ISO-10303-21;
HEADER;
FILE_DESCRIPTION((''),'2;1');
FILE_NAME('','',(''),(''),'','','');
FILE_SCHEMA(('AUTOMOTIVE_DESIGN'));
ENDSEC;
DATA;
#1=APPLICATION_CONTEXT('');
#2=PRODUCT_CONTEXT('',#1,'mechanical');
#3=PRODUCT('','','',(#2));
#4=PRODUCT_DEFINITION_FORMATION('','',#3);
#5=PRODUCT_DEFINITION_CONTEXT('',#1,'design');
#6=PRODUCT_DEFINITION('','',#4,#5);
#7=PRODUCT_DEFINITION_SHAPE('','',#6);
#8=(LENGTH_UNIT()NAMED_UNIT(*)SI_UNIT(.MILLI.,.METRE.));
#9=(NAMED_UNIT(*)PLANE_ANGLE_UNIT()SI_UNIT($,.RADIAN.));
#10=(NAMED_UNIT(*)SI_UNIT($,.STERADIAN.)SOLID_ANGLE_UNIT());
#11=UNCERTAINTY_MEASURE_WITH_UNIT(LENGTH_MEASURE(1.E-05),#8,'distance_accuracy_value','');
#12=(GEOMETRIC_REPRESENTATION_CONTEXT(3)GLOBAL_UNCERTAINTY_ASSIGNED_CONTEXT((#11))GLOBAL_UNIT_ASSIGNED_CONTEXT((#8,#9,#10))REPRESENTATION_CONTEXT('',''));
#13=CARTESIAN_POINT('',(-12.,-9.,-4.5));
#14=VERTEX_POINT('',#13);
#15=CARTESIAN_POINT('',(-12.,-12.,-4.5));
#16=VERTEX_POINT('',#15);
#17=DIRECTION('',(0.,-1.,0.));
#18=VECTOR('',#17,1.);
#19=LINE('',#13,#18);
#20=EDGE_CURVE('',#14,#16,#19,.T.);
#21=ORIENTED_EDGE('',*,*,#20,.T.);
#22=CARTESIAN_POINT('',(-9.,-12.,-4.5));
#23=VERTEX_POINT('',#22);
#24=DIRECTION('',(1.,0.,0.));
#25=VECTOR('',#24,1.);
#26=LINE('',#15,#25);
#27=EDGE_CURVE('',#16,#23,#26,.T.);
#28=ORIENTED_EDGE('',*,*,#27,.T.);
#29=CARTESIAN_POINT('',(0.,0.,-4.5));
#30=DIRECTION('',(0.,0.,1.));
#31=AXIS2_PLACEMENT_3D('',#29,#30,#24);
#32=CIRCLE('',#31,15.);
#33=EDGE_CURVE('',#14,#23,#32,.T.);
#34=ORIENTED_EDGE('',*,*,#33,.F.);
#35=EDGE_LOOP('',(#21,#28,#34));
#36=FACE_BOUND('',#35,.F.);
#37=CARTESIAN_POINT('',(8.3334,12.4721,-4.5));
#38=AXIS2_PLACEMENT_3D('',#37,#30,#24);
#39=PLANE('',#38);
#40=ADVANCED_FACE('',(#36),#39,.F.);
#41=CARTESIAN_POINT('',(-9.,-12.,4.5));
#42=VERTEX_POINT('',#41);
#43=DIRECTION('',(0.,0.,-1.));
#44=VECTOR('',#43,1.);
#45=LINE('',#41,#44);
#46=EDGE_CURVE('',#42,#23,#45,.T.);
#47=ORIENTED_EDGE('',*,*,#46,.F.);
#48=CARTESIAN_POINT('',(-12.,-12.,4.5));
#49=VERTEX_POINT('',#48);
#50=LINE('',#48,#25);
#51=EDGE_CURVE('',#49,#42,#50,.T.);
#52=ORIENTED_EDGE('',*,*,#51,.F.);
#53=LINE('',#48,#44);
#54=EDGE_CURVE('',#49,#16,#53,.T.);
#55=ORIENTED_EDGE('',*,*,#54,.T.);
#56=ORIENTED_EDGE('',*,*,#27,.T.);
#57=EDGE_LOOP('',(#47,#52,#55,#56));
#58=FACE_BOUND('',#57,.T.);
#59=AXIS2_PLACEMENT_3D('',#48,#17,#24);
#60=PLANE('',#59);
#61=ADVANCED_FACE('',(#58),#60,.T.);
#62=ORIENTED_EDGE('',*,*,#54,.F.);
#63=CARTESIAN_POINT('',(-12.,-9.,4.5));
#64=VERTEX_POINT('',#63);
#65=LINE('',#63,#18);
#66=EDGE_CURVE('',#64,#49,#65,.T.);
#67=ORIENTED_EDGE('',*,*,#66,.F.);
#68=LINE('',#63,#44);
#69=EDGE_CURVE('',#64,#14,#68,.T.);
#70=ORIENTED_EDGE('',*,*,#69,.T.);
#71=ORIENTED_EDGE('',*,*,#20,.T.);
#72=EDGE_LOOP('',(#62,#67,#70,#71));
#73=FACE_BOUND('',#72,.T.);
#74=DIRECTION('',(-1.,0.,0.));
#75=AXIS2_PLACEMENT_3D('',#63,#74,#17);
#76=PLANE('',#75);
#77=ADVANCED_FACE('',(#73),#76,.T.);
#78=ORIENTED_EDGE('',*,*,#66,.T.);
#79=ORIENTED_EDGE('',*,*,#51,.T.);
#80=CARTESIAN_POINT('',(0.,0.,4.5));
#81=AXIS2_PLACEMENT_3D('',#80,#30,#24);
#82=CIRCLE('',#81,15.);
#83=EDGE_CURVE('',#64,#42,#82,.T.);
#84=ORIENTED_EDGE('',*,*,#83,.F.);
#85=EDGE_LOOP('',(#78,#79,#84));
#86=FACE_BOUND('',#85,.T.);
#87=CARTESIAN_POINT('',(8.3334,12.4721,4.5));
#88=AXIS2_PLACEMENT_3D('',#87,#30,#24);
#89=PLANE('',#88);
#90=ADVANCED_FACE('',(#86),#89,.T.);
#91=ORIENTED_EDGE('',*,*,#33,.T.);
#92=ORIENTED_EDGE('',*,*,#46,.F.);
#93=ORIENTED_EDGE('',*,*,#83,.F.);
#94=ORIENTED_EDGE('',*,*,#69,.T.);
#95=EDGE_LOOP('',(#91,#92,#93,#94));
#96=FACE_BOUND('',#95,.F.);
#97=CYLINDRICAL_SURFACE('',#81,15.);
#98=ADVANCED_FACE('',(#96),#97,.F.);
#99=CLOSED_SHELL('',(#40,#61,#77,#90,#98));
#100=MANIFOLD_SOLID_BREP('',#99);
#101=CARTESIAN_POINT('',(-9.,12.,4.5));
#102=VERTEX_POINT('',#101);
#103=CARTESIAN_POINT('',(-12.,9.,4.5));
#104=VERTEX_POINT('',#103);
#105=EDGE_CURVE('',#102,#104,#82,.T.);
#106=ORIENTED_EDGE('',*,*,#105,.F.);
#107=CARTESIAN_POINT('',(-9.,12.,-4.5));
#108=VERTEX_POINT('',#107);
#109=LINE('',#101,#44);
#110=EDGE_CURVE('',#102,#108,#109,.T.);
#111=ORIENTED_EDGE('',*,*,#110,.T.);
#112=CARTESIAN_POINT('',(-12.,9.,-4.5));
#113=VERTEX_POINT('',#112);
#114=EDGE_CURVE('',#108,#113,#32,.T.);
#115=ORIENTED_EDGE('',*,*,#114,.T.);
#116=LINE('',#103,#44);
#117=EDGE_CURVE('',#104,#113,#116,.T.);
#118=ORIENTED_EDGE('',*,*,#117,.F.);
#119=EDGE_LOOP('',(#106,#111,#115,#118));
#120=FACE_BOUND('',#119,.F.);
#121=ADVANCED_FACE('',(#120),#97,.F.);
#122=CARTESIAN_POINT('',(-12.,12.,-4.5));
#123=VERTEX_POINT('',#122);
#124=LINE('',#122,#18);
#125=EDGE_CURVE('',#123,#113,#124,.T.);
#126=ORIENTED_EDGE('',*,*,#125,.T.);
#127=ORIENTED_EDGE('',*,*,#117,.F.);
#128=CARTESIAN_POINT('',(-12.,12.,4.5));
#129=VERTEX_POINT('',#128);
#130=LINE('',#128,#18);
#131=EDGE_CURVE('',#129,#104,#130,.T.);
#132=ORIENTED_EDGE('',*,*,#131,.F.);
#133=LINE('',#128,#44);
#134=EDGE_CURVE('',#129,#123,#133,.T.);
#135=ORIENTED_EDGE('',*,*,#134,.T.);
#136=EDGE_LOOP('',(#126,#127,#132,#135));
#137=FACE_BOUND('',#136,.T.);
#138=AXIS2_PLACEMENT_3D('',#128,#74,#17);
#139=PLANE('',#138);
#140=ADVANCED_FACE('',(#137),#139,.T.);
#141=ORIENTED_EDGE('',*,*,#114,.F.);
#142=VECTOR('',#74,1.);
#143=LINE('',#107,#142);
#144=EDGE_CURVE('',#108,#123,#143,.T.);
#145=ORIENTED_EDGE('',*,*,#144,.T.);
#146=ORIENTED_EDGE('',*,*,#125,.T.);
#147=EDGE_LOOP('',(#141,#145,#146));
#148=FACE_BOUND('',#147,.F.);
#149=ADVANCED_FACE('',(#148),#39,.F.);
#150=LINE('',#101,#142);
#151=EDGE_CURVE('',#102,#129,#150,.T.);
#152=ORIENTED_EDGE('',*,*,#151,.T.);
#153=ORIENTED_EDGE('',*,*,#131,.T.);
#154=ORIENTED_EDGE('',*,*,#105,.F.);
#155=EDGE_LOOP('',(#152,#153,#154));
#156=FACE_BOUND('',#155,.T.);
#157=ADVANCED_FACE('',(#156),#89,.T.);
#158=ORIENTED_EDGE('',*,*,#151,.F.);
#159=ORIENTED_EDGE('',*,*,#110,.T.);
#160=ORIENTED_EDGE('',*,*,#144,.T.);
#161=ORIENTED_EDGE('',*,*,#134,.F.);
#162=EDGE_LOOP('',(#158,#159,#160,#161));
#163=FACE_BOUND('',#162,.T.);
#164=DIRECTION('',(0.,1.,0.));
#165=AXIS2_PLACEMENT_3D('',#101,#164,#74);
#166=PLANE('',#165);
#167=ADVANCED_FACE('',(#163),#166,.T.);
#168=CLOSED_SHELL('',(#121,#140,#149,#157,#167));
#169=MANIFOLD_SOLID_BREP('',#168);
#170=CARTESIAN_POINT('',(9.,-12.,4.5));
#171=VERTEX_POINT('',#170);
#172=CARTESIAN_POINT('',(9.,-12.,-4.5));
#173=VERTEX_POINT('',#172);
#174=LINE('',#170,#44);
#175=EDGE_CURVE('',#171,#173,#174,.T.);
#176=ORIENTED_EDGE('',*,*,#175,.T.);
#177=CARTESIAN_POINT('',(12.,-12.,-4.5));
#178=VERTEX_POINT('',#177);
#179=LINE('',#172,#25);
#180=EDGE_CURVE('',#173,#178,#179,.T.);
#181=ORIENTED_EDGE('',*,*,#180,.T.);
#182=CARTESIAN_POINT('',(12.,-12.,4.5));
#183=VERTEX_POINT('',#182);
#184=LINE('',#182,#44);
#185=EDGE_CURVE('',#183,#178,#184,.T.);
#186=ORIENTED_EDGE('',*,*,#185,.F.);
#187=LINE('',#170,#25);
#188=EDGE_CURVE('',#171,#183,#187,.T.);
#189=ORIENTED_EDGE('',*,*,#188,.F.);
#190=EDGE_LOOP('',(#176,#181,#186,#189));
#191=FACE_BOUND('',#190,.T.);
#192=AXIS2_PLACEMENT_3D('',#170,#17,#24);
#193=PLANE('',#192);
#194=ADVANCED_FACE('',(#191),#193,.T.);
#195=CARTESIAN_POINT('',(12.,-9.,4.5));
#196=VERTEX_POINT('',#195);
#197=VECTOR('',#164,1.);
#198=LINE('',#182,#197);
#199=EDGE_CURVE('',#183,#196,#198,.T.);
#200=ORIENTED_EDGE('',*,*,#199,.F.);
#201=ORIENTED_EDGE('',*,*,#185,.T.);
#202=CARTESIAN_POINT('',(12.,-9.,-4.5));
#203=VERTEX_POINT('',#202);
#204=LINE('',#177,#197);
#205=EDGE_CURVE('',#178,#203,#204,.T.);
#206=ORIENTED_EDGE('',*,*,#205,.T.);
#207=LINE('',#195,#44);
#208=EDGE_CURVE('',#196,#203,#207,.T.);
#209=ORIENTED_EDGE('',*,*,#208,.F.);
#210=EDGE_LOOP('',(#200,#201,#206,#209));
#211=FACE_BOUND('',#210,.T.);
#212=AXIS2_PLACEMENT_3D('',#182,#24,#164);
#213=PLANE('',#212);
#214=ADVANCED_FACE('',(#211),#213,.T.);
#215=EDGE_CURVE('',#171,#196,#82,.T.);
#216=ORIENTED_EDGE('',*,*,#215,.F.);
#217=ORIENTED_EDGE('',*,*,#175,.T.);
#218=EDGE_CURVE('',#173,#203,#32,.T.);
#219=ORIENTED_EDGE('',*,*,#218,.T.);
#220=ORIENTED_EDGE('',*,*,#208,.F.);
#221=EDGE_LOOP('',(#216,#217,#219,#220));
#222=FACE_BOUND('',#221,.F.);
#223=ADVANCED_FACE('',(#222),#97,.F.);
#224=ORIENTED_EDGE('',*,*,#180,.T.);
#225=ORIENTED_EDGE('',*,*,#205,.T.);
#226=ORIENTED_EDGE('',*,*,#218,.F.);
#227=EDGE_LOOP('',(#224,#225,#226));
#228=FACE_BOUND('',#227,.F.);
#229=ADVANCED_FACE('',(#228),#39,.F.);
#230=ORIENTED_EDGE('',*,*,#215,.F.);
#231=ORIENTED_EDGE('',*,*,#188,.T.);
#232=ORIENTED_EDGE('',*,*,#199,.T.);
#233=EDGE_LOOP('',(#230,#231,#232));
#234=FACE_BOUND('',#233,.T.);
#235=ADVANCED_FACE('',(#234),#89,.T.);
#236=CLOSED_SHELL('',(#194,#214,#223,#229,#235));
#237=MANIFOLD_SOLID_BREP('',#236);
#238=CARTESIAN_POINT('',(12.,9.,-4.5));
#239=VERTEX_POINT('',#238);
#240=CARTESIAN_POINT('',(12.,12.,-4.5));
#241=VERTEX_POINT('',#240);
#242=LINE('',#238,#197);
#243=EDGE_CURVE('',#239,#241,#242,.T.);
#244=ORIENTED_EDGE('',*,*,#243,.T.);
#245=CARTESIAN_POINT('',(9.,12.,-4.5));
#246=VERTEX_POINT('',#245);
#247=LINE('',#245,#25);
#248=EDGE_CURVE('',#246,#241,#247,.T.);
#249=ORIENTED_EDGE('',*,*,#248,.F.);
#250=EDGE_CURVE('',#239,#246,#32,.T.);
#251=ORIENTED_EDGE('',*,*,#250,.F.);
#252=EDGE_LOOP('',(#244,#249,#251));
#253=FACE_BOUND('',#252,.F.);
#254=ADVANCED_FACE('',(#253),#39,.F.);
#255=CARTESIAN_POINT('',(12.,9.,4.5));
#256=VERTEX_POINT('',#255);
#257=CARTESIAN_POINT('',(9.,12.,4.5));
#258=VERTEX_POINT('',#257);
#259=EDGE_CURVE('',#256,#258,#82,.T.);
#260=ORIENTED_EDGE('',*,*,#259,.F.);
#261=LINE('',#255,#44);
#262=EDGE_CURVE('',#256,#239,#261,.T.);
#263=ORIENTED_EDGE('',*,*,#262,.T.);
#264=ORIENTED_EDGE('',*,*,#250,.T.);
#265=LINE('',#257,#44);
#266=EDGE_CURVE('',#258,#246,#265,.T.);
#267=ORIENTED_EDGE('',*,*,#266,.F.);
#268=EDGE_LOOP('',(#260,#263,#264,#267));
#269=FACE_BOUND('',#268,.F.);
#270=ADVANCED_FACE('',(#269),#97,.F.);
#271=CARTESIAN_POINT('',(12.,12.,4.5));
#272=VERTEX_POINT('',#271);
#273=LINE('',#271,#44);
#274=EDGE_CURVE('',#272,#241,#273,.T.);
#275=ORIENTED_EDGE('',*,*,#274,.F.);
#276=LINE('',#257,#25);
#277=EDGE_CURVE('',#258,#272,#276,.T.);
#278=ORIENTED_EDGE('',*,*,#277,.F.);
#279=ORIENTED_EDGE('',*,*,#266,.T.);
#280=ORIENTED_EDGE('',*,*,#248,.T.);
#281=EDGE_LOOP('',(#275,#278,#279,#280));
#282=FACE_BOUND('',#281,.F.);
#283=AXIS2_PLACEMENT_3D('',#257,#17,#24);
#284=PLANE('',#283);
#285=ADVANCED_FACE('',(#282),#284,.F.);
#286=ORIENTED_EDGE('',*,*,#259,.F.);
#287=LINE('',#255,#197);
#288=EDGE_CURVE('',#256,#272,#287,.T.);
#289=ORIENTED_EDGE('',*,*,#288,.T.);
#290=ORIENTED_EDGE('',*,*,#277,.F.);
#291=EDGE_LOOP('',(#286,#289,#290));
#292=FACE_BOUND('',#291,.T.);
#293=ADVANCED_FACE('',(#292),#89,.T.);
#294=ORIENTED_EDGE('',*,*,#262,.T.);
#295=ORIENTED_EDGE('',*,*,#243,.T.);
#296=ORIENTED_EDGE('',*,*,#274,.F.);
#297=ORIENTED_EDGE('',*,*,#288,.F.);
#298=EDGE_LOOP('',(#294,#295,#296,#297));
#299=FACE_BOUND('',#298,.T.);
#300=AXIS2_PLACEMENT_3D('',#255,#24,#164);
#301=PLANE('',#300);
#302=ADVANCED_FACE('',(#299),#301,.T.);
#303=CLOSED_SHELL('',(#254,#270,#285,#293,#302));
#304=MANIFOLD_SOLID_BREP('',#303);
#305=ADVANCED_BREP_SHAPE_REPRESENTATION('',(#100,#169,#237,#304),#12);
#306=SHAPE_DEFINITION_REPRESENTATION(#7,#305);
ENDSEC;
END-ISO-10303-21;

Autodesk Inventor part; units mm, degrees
ref_plane "YZ Plane" through (0, 0, 0) normal (1, 0, 0) x (0, 1, 0)
ref_plane "XZ Plane" through (0, 0, 0) normal (0, 1, 0) x (-1, 0, 0)
ref_plane "XY Plane" through (0, 0, 0) normal (0, 0, 1) x (1, 0, 0)
sketch "スケッチ1" plane through (8.3334, 12.4721, 4.5) normal (0, 0, 1) x (1, 0, 0)
  circle A0 centre (-8.3334, -12.4721) radius 15
  line L0 (-8.3334, -12.4721) -> (-8.3334, -0.4721)
  line L1 (0.6666, -0.4721) -> (3.6666, -0.4721)
  line L2 (3.6666, -0.4721) -> (-8.3334, -0.4721)
  line L3 (-17.3334, -0.4721) -> (-20.3334, -0.4721)
  line L4 (3.6666, -24.4721) -> (3.6666, -21.4721)
  line L5 (3.6666, -3.4721) -> (3.6666, -0.4721)
  line L6 (-20.3334, -24.4721) -> (-17.3334, -24.4721)
  line L7 (0.6666, -24.4721) -> (3.6666, -24.4721)
  line L8 (-20.3334, -0.4721) -> (-20.3334, -3.4721)
  line L9 (-20.3334, -21.4721) -> (-20.3334, -24.4721)
  dimension "d4" = 30
  dimension "d7" = 12
  dimension "d8" = 12
  dimension "d9" = 24
  dimension "d10" = 24
extrude "押し出し2" add sketch "スケッチ1" against normal blind 9 contours A0 L1 L5 | L4 L7 A0 | A0 L8 L3 | L6 L9 A0
properties part number "bearing-gairin"
